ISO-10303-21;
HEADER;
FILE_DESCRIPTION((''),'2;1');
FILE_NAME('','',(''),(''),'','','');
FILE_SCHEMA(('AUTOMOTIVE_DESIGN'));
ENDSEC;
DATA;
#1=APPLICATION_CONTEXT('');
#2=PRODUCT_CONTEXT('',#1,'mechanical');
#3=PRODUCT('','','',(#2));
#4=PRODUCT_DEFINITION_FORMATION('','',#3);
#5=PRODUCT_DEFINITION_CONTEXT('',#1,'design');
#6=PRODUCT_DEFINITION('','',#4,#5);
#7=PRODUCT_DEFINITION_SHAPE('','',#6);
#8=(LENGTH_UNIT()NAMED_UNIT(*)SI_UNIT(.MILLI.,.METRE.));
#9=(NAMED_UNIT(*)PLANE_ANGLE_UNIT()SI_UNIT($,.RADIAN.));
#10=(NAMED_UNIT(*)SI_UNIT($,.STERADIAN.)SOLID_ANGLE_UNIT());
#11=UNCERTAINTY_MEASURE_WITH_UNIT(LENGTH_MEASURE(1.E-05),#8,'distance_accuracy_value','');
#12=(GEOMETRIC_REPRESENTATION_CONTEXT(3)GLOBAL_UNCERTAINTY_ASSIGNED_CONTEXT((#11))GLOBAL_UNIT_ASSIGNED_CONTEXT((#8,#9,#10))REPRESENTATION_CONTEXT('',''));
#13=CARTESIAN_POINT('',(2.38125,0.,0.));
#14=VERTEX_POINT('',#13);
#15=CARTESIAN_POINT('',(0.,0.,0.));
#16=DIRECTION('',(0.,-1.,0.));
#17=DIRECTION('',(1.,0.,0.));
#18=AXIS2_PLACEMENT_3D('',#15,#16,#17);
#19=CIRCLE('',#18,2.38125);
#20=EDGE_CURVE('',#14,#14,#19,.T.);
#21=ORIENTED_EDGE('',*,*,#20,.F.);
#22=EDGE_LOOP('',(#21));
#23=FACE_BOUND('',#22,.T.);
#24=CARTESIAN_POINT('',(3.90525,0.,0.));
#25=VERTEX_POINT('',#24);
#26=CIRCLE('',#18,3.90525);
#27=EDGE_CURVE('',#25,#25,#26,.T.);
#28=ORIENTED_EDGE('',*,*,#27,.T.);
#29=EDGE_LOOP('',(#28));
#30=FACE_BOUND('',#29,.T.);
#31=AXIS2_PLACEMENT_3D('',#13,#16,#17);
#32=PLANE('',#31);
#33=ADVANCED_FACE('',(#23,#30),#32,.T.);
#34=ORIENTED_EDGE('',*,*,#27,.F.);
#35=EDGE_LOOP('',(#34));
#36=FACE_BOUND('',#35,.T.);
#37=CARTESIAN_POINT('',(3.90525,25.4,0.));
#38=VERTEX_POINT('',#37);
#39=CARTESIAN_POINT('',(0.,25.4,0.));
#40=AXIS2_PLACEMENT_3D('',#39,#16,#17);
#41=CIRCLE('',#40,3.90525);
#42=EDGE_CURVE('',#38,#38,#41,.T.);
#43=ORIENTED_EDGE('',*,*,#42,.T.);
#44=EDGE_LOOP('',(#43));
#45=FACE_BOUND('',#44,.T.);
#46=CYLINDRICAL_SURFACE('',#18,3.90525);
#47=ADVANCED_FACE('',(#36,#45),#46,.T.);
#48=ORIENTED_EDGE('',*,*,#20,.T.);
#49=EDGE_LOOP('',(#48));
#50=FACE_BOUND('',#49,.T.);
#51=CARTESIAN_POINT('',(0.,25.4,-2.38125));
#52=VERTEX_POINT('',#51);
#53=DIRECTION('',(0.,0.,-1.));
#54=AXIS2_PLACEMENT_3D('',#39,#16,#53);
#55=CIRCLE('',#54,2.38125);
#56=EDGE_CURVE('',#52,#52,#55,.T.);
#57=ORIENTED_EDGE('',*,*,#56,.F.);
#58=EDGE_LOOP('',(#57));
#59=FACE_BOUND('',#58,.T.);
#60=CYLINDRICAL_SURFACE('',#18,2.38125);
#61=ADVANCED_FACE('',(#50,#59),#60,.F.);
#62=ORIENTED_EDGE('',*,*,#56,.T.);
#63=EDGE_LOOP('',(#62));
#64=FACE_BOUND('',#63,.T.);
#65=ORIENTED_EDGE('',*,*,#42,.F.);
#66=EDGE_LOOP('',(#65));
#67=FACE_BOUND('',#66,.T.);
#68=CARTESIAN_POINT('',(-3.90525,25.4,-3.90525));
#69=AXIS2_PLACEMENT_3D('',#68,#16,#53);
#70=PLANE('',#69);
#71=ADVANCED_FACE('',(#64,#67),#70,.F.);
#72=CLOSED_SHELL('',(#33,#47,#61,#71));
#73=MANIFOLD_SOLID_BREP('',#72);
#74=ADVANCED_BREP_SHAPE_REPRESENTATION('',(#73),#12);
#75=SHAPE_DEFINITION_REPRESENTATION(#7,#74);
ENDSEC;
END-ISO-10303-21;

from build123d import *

# Parameters (mm, degrees)
SKETCH2_W               = 7.8105
SKETCH2_H               = 3.90525
CUT_EXTRUDE1_DEPTH      = 4.90525
CUT_EXTRUDE1_DEPTH_BACK = 4.90525


with BuildPart() as part:
    # Sketch1 → Revolve1 (revolve)
    with BuildSketch(Plane.XY):
        with BuildLine():
            Line((2.38125, 25.4), (2.38125, 0))
            Line((2.38125, 0), (3.90525, 0))
            Line((3.90525, 0), (3.90525, 25.4))
            ThreePointArc((3.90525, 25.4), (2.761428757, 28.161428757), (0, 29.30525))
            Line((0, 29.30525), (0, 27.78125))
            ThreePointArc((0, 27.78125), (1.683798023, 27.083798023), (2.38125, 25.4))
        make_face()
    revolve(axis=Axis((0, 0, 0), (0, 1, 0)))

    # Sketch2 → Cut-Extrude1 (cut, two sides)
    with BuildSketch(Plane.XY) as cut_extrude1_sk:
        with Locations((0, 27.352625)):
            Rectangle(SKETCH2_W, SKETCH2_H)
    extrude(amount=CUT_EXTRUDE1_DEPTH, mode=Mode.SUBTRACT)
    extrude(cut_extrude1_sk.sketch, amount=-CUT_EXTRUDE1_DEPTH_BACK, mode=Mode.SUBTRACT)


solid = part.part
